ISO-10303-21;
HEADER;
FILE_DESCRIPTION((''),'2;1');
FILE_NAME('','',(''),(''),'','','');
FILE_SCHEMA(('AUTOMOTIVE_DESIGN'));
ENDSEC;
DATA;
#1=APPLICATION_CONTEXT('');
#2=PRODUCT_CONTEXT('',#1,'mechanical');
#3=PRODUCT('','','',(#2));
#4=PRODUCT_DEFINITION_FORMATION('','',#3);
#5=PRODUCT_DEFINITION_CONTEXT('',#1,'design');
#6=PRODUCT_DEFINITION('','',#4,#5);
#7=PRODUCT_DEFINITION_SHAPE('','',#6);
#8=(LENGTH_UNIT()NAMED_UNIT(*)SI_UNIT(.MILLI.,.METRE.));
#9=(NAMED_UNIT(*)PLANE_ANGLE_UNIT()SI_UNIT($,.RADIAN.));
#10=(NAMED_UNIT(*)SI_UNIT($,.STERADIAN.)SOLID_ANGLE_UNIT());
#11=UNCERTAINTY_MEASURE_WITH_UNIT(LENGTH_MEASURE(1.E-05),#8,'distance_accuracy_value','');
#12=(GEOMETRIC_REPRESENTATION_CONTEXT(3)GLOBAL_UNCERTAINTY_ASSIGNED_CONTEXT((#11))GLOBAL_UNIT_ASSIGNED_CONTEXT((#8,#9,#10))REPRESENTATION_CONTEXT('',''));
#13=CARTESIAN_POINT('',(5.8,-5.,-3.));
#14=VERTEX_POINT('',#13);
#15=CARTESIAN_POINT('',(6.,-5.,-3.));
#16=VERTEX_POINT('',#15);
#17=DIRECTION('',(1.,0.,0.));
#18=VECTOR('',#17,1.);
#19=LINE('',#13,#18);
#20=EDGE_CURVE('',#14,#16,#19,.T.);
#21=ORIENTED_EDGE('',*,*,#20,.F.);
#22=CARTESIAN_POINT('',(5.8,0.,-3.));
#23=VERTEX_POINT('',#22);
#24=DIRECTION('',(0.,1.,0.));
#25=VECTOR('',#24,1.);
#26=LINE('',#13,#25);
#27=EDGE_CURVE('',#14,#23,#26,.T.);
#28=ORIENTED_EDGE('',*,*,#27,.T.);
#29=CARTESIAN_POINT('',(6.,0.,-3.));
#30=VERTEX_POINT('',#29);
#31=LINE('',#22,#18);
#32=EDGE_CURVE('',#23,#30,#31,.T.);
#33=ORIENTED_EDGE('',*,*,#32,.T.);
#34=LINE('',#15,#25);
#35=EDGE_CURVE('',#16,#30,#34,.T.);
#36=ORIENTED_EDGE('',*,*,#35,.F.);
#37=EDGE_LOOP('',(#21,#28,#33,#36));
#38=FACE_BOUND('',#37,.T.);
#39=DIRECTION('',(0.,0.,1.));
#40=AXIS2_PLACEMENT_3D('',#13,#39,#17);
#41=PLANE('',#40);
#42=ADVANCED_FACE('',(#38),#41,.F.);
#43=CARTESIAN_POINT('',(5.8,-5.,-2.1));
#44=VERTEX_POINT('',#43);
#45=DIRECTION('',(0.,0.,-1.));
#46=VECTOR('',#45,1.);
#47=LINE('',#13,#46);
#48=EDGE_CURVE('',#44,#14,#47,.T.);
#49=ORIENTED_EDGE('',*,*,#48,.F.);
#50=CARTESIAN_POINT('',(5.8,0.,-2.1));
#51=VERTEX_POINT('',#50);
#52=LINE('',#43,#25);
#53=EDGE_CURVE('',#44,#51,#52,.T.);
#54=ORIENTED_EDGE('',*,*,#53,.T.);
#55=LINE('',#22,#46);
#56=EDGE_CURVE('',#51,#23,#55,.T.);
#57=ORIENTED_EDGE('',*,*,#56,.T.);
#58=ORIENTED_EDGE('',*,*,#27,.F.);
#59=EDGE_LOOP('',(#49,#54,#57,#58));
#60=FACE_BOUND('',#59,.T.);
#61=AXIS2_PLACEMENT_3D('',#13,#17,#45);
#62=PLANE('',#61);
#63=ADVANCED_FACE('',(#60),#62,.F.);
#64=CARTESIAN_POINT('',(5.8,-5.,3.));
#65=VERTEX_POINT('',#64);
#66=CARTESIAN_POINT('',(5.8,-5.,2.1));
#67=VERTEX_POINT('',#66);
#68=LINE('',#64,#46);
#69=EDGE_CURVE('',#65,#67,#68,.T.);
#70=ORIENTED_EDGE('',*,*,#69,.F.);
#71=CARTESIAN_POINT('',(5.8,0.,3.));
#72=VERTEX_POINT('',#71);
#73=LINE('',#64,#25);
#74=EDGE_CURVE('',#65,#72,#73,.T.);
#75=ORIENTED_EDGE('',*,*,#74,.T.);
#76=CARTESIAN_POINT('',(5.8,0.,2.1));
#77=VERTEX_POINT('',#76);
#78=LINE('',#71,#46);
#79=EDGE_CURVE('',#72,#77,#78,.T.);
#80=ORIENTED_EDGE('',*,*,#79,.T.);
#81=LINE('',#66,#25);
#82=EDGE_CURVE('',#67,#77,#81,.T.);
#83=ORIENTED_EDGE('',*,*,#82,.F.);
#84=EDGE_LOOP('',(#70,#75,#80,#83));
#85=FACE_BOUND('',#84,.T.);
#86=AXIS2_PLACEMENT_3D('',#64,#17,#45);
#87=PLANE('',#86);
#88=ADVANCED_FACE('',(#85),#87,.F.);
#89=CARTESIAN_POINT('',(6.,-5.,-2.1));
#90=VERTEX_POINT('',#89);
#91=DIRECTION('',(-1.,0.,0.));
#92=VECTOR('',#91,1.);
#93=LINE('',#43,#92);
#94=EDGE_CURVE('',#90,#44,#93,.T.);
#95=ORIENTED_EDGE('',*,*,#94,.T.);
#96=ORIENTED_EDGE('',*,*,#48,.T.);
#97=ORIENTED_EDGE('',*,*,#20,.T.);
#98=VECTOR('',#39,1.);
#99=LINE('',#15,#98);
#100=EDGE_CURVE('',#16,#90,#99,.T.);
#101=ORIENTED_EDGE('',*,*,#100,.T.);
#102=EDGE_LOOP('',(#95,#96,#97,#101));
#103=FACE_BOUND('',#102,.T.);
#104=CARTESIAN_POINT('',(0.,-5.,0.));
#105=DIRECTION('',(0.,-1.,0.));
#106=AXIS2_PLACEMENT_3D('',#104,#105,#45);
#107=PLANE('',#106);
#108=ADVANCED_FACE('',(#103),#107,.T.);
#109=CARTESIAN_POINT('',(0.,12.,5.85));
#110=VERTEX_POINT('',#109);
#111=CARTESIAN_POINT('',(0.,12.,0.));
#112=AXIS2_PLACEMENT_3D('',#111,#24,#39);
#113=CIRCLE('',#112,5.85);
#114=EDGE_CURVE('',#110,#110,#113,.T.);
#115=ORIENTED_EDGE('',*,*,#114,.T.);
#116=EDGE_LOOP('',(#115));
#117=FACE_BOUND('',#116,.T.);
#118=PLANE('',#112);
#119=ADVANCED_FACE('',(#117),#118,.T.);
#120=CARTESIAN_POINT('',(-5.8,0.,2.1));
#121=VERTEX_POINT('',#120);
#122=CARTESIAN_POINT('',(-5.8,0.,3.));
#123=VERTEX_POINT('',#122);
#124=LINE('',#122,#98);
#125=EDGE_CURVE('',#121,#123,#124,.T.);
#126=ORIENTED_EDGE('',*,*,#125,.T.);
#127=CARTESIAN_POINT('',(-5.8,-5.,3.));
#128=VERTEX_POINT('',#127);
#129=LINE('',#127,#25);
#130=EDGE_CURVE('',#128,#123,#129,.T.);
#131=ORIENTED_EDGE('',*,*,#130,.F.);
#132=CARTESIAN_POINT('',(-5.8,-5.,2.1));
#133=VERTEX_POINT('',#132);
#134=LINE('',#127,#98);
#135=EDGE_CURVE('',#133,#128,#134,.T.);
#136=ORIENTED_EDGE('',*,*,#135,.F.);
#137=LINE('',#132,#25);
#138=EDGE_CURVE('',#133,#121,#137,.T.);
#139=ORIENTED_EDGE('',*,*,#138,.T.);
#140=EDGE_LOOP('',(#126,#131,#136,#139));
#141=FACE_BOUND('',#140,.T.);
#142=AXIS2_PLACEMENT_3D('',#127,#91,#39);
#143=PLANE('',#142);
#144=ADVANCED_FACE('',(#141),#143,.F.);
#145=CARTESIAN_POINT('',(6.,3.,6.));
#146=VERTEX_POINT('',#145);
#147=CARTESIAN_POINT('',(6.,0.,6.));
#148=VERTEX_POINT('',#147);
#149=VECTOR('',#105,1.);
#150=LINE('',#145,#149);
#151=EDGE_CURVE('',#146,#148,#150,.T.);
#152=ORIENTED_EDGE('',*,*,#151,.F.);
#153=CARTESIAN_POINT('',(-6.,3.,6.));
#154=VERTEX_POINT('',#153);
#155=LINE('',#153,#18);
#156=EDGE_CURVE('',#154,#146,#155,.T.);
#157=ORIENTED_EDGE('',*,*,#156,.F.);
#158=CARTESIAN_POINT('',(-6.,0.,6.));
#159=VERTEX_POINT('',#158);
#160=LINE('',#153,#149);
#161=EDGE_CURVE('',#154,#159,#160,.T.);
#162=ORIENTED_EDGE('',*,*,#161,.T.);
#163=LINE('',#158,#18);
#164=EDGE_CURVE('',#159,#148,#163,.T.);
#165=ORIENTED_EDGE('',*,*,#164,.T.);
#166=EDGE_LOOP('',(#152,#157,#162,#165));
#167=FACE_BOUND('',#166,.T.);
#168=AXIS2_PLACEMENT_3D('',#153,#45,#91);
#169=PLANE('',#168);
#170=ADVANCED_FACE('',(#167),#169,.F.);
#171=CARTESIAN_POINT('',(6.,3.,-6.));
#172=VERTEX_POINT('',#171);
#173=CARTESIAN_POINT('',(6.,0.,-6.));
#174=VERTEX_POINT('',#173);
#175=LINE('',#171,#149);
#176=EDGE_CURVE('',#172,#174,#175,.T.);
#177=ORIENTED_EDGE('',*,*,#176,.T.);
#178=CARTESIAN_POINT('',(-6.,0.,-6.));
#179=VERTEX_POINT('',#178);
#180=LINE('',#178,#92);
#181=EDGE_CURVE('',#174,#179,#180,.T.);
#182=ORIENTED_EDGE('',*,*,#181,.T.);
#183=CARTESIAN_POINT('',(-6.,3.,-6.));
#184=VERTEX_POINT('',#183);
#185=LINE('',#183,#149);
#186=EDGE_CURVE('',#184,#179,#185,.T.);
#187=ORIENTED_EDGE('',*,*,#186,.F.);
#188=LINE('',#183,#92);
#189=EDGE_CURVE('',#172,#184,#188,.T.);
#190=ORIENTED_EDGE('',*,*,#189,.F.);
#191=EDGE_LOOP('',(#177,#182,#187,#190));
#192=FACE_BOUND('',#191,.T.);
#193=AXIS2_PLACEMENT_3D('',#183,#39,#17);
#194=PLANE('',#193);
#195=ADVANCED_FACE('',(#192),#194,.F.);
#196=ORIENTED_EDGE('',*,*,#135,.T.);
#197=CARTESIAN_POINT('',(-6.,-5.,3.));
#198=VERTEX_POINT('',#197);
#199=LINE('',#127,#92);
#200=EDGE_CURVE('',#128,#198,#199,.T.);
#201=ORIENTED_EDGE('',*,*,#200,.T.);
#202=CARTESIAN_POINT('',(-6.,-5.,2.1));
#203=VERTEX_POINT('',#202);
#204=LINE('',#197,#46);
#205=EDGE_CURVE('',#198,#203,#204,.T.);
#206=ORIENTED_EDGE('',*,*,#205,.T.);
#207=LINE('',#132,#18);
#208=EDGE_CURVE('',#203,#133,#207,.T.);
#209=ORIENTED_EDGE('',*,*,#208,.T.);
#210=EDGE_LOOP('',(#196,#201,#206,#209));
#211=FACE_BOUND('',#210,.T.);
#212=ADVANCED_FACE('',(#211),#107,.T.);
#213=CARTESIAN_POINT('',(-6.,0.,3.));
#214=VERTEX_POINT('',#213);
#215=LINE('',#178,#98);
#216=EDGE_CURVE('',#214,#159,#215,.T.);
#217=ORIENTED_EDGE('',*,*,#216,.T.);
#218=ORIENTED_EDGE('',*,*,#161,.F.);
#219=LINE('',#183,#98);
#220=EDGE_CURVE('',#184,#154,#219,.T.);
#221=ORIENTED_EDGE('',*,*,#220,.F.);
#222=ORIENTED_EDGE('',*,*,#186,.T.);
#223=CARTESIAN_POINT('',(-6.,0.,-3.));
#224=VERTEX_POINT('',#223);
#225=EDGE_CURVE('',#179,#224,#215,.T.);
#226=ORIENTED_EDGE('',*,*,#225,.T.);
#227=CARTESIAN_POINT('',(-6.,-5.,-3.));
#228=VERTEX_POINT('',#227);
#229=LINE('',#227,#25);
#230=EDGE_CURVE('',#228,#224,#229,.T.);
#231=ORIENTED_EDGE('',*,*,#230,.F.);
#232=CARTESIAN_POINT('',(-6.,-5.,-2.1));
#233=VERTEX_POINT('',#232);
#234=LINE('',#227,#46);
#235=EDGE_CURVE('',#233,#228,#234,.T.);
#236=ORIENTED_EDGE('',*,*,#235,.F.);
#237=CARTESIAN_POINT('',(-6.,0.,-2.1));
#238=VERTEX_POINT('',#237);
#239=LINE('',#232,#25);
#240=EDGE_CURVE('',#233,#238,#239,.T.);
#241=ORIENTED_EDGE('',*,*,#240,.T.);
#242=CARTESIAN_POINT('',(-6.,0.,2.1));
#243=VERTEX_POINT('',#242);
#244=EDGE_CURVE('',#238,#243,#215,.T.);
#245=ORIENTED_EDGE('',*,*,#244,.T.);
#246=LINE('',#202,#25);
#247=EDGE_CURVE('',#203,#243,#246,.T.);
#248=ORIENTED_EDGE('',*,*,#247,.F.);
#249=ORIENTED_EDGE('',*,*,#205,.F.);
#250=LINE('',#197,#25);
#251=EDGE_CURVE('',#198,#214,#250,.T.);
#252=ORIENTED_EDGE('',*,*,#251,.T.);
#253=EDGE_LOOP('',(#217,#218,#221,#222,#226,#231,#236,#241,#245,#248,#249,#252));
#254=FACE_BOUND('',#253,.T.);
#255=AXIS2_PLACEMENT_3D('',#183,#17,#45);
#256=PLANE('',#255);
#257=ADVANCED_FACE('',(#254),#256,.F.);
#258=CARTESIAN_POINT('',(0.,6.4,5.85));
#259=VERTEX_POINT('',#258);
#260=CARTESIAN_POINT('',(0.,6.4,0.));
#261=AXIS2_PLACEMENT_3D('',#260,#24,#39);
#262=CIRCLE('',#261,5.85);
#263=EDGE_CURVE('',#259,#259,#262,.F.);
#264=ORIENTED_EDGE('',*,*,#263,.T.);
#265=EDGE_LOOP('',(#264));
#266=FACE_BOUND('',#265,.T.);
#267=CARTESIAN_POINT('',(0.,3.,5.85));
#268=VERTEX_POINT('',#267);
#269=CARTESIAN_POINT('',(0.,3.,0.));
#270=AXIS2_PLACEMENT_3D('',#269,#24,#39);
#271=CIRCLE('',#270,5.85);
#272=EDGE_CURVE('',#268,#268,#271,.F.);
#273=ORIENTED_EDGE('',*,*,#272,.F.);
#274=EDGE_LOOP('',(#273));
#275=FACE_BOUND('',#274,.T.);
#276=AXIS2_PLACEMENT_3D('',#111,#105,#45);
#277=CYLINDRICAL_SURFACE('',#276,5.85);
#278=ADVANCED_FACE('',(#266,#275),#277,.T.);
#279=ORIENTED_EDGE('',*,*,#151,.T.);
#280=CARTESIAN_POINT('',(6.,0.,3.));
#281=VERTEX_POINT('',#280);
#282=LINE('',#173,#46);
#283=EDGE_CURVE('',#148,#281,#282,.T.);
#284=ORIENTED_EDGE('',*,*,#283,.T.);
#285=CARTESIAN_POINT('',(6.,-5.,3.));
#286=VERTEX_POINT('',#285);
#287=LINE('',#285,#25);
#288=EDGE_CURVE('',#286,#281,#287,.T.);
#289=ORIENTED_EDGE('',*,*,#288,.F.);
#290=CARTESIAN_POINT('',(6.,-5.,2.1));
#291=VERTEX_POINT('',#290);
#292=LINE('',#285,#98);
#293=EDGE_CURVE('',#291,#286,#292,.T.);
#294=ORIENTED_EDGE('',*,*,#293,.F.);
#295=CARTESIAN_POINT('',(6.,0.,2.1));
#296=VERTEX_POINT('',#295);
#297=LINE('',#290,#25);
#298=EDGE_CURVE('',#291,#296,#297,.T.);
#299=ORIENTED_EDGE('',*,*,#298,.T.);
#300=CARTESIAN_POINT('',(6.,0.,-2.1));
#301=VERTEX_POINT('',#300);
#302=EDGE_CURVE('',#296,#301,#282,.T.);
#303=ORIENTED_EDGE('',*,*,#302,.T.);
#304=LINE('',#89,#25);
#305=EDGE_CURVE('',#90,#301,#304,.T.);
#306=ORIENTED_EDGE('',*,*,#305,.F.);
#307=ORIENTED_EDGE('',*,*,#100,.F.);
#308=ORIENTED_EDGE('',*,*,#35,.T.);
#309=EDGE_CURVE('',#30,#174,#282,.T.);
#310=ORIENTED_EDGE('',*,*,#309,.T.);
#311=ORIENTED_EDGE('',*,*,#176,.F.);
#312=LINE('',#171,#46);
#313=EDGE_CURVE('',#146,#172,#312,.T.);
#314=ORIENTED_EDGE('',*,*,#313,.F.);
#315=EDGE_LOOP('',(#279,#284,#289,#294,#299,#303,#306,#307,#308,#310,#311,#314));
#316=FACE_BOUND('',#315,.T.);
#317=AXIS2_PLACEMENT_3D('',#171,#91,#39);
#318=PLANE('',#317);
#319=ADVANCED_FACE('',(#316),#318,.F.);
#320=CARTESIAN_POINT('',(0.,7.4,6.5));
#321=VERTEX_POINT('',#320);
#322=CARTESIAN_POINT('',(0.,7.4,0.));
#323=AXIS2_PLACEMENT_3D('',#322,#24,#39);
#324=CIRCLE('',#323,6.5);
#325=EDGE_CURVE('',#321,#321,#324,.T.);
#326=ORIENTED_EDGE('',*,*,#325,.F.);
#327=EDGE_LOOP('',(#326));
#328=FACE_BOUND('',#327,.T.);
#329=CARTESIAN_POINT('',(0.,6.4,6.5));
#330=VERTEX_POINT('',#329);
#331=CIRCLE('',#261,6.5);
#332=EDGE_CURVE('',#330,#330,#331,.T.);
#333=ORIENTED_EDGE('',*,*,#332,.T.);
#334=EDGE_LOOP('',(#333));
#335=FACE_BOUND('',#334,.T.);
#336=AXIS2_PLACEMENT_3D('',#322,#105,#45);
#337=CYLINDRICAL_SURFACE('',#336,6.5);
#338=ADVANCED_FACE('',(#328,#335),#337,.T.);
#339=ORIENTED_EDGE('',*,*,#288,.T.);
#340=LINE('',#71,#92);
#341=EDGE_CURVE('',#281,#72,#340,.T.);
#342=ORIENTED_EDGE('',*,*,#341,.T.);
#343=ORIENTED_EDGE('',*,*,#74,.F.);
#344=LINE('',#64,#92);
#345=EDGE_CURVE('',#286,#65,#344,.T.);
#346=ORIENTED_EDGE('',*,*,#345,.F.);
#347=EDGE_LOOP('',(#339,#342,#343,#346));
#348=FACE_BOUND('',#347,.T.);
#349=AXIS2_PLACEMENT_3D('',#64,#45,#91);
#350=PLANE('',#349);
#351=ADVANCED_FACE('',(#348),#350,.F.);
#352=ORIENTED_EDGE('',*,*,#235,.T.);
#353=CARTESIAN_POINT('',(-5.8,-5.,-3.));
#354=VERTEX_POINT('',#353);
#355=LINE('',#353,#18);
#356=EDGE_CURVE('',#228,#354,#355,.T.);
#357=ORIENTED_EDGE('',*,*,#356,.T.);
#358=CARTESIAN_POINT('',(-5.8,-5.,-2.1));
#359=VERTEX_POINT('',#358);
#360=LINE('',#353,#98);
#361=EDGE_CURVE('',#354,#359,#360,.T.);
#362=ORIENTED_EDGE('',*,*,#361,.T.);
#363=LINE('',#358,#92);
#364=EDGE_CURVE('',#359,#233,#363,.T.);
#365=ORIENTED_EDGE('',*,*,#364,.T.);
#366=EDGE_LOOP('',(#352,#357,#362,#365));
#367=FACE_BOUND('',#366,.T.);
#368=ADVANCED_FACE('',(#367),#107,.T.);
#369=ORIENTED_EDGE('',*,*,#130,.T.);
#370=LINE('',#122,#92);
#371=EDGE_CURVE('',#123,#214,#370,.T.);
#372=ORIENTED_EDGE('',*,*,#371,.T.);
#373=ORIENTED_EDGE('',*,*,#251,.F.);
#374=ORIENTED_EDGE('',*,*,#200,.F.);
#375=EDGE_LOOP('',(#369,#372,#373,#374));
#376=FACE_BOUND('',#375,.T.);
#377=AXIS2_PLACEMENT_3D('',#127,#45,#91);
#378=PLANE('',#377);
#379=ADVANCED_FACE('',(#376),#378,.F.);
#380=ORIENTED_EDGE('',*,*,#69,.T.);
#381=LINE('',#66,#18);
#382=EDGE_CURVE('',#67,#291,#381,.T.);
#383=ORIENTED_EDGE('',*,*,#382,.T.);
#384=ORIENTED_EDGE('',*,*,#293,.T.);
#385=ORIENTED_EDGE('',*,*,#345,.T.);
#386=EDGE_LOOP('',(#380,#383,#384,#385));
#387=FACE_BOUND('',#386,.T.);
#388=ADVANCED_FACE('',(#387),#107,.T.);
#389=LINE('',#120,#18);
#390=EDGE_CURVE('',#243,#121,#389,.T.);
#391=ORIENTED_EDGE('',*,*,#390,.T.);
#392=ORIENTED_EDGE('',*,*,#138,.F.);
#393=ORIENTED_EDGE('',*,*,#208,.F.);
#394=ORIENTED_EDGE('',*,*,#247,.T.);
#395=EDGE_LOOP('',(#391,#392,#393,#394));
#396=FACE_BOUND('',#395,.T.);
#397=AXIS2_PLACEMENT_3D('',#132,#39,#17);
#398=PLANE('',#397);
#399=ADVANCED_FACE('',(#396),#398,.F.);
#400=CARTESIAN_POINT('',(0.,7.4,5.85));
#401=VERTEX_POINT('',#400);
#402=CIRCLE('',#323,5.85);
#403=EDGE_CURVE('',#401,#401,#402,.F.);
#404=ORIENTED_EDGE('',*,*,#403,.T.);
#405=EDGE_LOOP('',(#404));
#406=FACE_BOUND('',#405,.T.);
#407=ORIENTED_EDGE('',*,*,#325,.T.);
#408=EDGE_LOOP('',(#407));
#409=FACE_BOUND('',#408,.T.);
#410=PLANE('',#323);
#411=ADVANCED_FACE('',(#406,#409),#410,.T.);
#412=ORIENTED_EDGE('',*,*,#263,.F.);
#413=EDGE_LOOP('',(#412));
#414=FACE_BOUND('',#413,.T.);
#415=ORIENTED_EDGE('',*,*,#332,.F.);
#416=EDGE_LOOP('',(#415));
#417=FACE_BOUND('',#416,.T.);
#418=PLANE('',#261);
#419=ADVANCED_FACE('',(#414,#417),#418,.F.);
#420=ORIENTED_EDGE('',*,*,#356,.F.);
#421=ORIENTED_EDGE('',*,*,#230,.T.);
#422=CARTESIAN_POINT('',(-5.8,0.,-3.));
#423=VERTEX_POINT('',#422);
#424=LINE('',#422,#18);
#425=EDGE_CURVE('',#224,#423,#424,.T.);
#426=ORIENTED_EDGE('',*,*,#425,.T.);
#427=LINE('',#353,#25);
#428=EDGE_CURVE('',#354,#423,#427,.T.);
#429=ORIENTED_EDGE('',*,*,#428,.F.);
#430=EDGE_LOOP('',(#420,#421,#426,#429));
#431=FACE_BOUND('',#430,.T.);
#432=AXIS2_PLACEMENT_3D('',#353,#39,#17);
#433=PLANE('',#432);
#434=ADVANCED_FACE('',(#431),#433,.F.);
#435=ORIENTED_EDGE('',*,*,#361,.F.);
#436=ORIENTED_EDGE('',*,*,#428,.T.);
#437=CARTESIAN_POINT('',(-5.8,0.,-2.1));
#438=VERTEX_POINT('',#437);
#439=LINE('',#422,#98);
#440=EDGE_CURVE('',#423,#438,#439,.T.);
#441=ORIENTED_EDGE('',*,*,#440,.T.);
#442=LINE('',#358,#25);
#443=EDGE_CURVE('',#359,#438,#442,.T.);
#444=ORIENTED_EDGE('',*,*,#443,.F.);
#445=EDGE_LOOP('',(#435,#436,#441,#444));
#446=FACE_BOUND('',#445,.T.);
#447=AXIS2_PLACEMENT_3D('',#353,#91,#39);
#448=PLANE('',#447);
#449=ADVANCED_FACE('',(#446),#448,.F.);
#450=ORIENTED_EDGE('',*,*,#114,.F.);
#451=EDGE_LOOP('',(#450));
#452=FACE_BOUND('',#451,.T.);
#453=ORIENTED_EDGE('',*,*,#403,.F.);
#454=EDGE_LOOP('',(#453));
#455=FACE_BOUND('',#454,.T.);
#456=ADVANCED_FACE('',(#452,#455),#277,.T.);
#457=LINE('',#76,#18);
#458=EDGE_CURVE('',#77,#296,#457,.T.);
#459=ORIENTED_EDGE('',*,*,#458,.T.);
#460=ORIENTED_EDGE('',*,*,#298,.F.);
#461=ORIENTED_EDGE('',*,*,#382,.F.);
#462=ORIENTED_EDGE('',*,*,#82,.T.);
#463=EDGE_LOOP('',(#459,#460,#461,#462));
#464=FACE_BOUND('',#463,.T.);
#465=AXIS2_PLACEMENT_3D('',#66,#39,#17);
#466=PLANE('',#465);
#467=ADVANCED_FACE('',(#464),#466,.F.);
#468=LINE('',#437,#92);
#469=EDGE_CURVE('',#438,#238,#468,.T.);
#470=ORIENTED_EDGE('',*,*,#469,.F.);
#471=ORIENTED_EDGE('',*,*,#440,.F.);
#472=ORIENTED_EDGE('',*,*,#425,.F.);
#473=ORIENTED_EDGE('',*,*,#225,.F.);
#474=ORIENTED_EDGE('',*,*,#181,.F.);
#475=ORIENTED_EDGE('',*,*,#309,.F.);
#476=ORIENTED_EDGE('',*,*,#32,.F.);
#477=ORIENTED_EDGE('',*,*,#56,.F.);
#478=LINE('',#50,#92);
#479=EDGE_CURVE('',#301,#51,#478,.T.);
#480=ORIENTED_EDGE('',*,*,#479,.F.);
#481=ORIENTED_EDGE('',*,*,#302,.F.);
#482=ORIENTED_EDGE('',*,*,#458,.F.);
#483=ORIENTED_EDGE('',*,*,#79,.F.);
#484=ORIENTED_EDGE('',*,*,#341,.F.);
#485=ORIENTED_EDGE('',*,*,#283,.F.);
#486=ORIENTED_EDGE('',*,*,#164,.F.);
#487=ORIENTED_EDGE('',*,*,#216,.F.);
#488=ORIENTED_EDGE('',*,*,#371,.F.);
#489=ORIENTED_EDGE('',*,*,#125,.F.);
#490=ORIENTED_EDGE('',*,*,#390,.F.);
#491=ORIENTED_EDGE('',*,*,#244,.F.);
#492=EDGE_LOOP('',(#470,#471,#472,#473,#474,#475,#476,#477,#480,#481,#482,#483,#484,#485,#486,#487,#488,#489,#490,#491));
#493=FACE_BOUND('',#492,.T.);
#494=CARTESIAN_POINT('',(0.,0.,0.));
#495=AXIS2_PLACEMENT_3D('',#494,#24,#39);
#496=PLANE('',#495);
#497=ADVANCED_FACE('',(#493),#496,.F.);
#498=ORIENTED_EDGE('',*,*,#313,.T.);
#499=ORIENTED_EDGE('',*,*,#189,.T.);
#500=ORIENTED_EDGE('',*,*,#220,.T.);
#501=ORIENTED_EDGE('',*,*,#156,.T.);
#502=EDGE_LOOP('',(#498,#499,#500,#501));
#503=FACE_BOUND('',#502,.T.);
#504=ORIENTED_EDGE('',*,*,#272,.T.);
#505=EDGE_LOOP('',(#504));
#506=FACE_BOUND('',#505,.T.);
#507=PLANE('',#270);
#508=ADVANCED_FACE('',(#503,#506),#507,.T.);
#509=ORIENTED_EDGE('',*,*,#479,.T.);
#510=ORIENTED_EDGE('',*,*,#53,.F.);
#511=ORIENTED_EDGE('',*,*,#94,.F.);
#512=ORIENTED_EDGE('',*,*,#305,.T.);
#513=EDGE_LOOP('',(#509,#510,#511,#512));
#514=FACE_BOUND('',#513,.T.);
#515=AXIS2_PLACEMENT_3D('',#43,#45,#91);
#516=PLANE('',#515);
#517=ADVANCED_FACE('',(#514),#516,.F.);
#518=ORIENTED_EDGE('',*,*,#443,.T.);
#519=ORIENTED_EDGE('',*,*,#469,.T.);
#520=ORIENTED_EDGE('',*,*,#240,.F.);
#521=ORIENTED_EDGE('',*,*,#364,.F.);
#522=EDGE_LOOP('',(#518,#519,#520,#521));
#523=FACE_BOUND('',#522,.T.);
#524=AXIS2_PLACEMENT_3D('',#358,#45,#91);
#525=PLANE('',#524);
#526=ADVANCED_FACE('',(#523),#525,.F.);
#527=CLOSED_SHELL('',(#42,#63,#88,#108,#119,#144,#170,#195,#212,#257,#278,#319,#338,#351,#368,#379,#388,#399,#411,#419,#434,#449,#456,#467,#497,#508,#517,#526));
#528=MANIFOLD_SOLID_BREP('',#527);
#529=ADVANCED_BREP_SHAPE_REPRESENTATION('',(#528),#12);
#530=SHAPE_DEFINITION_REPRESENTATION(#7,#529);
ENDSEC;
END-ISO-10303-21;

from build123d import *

# Parameters (mm, degrees)
SKETCH_1_W      = 12
SKETCH_1_H      = 12
EXTRUDE_1_DEPTH = 3
SKETCH_2_W      = 5
SKETCH_2_H      = 5
EXTRUDE_2_DEPTH = 3.4
SKETCH_3_R      = 6.5
EXTRUDE_3_DEPTH = 1
EXTRUDE_START   = -7.4
SKETCH_4_R      = 5.85
EXTRUDE_4_DEPTH = 12
SKETCH_5_W      = 0.2
SKETCH_5_H      = 0.9
EXTRUDE_5_DEPTH = 5


with BuildPart() as part:
    # 草图1 → 凸台-拉伸1 (new body)
    with BuildSketch(Plane(origin=(0, 0, 0), x_dir=(1, 0, 0), z_dir=(0, 1, 0))):
        Rectangle(SKETCH_1_W, SKETCH_1_H)
    extrude(amount=EXTRUDE_1_DEPTH)

    # 草图2 → 凸台-拉伸2 (add)
    with BuildSketch(Plane(origin=(0, 3, 0), x_dir=(1, 0, 0), z_dir=(0, 1, 0))):
        Rectangle(SKETCH_2_W, SKETCH_2_H)
    extrude(amount=EXTRUDE_2_DEPTH)

    # 草图3 → 凸台-拉伸3 (add)
    with BuildSketch(Plane(origin=(0, 6.4, 0), x_dir=(1, 0, 0), z_dir=(0, 1, 0))):
        Circle(SKETCH_3_R)
    extrude(amount=EXTRUDE_3_DEPTH)

    # 草图4 → 凸台-拉伸4 (add)
    with BuildSketch(Plane(origin=(0, 7.4, 0), x_dir=(1, 0, 0), z_dir=(0, 1, 0)).offset(EXTRUDE_START)):
        Circle(SKETCH_4_R)
    extrude(amount=EXTRUDE_4_DEPTH)

    # 草图5 → 凸台-拉伸5 (add)
    with BuildSketch(Plane.XZ):
        with Locations((5.9, 2.55)):
            Rectangle(SKETCH_5_W, SKETCH_5_H)
        with Locations((5.9, -2.55)):
            Rectangle(SKETCH_5_W, SKETCH_5_H)
        with Locations((-5.9, -2.55)):
            Rectangle(SKETCH_5_W, SKETCH_5_H)
        with Locations((-5.9, 2.55)):
            Rectangle(SKETCH_5_W, SKETCH_5_H)
    extrude(amount=EXTRUDE_5_DEPTH)


solid = part.part
